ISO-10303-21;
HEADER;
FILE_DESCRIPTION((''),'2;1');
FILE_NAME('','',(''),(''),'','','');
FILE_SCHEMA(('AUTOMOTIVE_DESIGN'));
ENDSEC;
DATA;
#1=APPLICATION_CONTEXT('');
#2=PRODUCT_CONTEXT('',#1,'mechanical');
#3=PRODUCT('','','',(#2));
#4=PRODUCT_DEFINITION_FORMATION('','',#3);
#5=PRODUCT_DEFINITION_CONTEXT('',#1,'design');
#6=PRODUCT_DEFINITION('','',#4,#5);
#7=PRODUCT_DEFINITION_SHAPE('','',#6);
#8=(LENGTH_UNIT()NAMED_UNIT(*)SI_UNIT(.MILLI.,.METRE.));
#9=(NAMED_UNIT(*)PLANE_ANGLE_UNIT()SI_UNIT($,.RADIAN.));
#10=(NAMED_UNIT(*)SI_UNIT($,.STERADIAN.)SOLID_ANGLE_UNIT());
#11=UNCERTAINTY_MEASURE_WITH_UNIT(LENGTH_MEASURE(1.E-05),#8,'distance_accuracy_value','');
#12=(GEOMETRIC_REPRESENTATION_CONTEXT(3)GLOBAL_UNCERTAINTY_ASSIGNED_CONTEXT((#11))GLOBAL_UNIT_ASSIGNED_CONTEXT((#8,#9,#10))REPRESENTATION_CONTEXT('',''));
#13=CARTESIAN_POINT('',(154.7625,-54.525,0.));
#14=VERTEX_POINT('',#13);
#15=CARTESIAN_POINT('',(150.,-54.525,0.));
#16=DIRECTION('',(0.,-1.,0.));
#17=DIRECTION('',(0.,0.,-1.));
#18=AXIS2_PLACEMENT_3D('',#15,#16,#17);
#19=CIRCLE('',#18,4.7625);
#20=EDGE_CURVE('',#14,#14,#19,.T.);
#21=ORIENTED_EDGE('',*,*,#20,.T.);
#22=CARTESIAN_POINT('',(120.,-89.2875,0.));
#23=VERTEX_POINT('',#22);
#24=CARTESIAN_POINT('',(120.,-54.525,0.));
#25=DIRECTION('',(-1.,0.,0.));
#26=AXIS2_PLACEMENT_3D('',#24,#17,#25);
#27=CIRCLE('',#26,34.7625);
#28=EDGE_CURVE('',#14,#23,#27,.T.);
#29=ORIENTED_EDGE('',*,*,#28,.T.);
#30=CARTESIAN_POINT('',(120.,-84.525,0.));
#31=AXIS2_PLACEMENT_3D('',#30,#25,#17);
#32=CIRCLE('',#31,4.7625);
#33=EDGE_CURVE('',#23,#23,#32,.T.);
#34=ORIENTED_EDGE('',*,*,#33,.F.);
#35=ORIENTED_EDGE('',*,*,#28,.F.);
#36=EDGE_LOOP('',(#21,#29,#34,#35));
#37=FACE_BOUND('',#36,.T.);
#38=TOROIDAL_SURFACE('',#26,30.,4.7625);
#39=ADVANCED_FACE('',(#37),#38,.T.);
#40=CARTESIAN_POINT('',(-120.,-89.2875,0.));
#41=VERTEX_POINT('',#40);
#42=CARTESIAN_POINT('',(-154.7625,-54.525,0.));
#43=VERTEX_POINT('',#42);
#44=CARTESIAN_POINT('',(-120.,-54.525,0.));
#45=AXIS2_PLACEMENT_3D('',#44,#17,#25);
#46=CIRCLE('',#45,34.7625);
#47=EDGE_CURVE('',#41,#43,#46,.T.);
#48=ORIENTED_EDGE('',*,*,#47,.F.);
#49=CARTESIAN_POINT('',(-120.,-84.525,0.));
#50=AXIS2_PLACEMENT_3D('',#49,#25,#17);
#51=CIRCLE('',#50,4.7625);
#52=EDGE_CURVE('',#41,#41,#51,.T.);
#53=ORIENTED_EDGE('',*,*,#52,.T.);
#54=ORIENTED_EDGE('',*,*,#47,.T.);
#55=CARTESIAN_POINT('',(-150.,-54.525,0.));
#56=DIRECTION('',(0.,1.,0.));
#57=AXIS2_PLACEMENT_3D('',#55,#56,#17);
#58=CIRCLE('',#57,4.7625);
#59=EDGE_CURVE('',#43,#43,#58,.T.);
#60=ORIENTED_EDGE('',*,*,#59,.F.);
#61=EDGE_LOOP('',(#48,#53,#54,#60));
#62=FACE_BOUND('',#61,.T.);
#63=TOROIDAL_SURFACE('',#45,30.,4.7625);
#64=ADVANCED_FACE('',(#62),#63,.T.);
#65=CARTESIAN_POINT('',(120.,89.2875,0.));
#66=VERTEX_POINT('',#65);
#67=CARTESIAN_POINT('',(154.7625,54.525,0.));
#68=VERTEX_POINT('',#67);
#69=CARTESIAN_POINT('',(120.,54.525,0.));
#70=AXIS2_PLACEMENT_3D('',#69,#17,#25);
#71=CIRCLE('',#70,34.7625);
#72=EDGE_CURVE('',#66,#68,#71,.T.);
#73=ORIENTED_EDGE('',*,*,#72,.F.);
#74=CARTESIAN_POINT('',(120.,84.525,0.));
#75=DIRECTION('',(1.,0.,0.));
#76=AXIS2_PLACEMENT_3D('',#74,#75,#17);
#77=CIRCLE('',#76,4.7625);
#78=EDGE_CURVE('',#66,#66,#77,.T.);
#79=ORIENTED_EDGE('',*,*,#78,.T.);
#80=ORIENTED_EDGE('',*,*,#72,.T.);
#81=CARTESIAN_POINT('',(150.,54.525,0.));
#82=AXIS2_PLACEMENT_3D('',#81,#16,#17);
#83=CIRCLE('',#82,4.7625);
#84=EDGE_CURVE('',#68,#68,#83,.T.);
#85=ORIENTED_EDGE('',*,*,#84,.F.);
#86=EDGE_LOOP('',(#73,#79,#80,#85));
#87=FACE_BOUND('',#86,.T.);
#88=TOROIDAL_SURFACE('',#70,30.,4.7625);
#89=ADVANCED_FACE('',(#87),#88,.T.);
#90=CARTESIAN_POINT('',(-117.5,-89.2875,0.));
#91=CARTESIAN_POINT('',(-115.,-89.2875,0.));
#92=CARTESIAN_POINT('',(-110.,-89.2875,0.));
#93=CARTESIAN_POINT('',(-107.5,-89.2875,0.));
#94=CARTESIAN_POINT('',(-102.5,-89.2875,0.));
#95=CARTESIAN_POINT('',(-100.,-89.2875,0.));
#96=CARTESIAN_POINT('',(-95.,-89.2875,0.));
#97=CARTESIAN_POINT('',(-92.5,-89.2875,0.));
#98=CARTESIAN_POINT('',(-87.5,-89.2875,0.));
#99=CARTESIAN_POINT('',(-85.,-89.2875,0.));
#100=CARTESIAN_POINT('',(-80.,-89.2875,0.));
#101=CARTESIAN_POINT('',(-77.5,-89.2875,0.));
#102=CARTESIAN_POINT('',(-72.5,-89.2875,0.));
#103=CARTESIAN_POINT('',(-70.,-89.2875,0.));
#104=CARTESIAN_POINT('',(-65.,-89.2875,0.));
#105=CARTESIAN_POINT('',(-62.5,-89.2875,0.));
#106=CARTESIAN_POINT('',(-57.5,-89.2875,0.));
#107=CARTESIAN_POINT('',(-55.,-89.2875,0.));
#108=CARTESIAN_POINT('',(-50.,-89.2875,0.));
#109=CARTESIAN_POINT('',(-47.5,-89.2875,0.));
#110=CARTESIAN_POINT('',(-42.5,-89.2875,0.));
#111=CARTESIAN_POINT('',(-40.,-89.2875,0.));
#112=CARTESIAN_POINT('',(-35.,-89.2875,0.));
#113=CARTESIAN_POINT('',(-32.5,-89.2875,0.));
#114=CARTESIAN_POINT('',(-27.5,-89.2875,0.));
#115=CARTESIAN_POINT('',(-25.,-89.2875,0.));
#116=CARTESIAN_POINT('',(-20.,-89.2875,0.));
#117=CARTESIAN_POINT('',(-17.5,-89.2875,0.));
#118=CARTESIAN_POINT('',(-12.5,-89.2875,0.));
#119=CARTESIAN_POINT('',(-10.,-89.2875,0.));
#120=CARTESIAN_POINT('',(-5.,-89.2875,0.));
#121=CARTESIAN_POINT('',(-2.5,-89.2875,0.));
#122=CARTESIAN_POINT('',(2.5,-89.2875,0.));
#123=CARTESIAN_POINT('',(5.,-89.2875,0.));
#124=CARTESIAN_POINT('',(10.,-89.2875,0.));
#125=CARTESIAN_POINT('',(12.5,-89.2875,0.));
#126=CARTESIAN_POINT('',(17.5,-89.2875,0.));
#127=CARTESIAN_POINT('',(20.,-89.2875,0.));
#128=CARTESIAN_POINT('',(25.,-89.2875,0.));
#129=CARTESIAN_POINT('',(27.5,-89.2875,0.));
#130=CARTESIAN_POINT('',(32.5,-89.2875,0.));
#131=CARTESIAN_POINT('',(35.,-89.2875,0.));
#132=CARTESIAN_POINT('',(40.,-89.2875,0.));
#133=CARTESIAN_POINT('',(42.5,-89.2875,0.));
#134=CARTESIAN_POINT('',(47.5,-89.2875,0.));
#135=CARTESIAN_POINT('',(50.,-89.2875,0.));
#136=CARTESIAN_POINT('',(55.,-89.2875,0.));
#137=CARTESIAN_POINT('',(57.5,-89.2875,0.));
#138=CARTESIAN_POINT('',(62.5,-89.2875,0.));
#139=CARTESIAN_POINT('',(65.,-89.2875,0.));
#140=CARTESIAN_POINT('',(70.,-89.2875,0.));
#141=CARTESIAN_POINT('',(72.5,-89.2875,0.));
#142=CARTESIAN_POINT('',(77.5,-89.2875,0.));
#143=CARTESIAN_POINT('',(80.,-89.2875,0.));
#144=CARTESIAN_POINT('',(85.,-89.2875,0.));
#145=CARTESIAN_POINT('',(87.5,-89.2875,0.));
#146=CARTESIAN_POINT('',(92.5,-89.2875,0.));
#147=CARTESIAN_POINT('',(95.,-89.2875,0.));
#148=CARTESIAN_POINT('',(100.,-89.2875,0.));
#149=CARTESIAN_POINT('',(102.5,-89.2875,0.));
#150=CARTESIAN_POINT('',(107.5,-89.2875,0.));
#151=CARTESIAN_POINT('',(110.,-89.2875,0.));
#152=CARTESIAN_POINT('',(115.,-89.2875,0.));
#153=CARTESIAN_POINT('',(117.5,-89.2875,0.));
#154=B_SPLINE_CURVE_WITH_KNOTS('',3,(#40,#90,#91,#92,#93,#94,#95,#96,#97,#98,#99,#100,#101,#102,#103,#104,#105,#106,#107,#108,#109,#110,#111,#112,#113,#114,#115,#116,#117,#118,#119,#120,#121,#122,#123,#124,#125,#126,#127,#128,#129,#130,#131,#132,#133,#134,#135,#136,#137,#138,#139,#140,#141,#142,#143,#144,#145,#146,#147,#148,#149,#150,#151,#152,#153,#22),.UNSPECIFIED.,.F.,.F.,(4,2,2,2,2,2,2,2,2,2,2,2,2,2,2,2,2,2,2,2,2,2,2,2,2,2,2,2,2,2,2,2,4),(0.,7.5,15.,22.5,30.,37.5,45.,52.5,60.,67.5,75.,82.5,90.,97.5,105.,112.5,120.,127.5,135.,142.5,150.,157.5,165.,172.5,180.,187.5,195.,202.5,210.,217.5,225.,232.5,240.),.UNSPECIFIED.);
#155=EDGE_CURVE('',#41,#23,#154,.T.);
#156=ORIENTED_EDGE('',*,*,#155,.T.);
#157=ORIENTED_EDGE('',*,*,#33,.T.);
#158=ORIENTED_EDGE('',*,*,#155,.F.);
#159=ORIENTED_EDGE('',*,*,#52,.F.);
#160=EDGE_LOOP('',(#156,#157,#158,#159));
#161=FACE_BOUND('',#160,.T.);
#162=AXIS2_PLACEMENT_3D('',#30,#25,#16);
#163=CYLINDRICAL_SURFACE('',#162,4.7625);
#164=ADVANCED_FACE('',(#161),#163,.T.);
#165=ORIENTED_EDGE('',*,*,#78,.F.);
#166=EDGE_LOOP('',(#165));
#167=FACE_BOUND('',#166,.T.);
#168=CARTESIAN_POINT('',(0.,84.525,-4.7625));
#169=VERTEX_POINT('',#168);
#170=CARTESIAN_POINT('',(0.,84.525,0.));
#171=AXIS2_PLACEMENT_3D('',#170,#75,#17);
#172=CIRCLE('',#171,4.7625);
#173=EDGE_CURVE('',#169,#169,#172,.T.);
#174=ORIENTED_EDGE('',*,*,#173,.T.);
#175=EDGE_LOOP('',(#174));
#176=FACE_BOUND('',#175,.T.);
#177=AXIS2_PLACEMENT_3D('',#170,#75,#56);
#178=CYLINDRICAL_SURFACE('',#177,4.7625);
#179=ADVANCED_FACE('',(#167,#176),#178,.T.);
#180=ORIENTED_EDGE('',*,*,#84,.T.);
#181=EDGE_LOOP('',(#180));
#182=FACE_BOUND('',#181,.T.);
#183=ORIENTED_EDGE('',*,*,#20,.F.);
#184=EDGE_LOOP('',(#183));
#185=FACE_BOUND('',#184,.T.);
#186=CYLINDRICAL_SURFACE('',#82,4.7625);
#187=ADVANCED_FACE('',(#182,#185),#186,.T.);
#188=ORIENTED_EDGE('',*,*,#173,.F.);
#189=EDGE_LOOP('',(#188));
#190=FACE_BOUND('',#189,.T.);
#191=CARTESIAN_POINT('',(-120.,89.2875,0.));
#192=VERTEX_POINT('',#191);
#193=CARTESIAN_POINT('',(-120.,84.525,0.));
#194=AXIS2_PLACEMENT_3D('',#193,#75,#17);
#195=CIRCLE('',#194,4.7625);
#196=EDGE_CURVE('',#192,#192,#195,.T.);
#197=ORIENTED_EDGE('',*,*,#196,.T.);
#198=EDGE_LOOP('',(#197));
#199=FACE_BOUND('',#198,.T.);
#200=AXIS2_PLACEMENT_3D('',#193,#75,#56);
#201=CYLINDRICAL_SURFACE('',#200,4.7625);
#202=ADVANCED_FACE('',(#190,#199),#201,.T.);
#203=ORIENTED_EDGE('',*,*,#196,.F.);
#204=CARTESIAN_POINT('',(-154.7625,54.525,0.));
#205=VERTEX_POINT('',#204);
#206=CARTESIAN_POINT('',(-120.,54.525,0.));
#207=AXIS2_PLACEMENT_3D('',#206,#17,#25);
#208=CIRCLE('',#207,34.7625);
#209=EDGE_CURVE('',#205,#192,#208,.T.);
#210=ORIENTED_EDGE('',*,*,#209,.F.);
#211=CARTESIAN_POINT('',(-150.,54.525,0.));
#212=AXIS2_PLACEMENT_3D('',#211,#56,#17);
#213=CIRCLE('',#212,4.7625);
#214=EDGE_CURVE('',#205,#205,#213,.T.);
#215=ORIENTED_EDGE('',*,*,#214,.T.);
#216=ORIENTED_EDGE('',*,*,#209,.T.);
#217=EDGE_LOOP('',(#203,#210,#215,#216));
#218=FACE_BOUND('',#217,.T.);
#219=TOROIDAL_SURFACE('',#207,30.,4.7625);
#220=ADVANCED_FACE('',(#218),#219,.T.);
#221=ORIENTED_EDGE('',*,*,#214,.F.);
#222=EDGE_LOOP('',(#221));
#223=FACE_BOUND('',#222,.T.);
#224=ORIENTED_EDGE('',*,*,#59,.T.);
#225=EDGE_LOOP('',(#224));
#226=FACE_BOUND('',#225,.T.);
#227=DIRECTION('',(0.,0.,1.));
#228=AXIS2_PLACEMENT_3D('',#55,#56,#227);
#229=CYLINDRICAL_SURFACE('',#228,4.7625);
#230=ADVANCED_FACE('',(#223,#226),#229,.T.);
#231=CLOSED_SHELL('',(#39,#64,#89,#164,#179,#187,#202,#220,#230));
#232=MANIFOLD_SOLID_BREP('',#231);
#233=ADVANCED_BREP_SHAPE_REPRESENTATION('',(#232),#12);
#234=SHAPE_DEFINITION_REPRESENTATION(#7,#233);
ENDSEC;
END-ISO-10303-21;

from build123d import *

# Parameters (mm, degrees)
ESBO_O2_R = 4.7625


with BuildPart() as part:
    # Varredura1: sweep along a path in Esboço1
    with BuildLine(Plane.XY) as varredura1_path:
        Line((120, -84.525), (-120, -84.525))
        ThreePointArc((-120, -84.525), (-141.213203436, -75.738203436), (-150, -54.525))
        Line((-150, -54.525), (-150, 54.525))
        ThreePointArc((-150, 54.525), (-141.213203436, 75.738203436), (-120, 84.525))
        Line((-120, 84.525), (120, 84.525))
        ThreePointArc((120, 84.525), (141.213203436, 75.738203436), (150, 54.525))
        Line((150, 54.525), (150, -54.525))
        ThreePointArc((150, -54.525), (141.213203436, -75.738203436), (120, -84.525))
    # Esboço2 → Varredura1 (sweep)
    with BuildSketch(Plane(origin=(0, 0, 0), x_dir=(0, 0, -1), z_dir=(1, 0, 0))):
        with Locations((0, 84.525)):
            Circle(ESBO_O2_R)
    sweep(path=varredura1_path.line)


solid = part.part
